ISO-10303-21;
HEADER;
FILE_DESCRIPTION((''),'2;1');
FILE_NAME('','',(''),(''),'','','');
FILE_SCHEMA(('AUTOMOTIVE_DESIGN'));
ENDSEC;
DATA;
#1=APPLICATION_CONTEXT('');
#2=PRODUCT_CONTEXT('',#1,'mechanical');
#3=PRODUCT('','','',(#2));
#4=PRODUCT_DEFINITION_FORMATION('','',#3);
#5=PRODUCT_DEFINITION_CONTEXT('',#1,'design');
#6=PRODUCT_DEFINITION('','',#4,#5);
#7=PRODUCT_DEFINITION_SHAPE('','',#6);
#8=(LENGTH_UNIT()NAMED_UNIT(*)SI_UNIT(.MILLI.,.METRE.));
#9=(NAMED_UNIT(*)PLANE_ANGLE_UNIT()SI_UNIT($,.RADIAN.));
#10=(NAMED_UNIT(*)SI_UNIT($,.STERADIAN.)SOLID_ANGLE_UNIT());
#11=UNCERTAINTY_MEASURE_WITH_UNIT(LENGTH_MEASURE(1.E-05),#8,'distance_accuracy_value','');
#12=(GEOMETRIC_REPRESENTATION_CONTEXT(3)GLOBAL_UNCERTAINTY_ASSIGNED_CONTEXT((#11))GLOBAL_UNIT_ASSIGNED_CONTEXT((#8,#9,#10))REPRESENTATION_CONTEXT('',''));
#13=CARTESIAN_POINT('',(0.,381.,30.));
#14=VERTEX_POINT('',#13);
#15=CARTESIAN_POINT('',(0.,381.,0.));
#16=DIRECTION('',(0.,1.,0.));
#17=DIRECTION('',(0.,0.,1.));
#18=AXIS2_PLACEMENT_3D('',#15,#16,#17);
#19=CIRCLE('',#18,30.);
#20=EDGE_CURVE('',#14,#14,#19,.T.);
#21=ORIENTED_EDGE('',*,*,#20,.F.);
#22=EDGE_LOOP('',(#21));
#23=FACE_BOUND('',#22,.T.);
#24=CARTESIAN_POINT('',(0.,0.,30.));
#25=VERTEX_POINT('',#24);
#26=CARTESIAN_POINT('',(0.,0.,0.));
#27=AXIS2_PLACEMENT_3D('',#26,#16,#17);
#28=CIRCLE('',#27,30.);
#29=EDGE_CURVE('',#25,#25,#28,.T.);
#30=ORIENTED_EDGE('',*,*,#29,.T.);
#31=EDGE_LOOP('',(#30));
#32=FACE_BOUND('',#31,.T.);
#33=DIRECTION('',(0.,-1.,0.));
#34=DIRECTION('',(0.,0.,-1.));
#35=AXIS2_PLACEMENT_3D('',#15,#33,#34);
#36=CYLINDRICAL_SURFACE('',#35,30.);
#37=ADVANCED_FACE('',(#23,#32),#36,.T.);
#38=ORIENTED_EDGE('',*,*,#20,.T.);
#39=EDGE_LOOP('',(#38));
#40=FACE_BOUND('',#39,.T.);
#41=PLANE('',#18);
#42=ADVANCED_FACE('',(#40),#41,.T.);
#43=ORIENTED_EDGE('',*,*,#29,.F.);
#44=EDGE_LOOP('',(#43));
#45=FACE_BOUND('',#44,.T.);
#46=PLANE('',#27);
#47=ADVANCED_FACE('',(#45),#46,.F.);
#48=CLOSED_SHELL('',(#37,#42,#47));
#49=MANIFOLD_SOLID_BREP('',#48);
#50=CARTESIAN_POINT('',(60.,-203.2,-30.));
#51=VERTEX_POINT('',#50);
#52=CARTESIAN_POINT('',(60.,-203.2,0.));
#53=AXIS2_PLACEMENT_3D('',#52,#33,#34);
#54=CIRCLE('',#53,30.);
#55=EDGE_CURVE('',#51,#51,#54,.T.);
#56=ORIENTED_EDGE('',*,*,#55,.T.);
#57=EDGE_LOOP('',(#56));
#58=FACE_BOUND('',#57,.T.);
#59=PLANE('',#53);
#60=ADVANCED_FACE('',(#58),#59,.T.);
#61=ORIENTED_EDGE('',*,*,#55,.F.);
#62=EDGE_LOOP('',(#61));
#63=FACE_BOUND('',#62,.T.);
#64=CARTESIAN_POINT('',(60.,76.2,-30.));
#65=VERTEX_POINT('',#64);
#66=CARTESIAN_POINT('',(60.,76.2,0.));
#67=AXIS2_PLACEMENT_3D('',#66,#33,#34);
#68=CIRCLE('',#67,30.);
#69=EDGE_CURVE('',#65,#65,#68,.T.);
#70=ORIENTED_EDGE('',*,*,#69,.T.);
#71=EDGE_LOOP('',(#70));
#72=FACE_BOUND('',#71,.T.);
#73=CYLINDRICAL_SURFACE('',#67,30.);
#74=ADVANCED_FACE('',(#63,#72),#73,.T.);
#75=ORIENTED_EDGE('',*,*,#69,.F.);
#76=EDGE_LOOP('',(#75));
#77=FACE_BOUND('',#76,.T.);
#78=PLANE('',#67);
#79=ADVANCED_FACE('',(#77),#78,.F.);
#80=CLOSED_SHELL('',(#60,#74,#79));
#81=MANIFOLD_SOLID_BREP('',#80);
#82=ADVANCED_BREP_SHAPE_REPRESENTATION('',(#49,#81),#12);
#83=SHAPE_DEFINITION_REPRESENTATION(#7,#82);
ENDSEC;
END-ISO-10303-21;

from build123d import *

# Parameters (mm, degrees)
SKETCH1_R                = 30
BOSS_EXTRUDE1_DEPTH      = 381
SKETCH2_R                = 30
BOSS_EXTRUDE2_DEPTH      = 203.2
BOSS_EXTRUDE2_DEPTH_BACK = 76.2


with BuildPart() as part:
    # Sketch1 → Boss-Extrude1 (new body)
    with BuildSketch(Plane(origin=(0, 0, 0), x_dir=(1, 0, 0), z_dir=(0, 1, 0))):
        Circle(SKETCH1_R)
    extrude(amount=BOSS_EXTRUDE1_DEPTH)


with BuildPart() as body_2:
    # Sketch2 → Boss-Extrude2 (new body, two sides)
    with BuildSketch(Plane.XZ) as boss_extrude2_sk:
        with Locations((60, 0)):
            Circle(SKETCH2_R)
    extrude(amount=BOSS_EXTRUDE2_DEPTH)
    extrude(boss_extrude2_sk.sketch, amount=-BOSS_EXTRUDE2_DEPTH_BACK)


solid = Compound([part.part, body_2.part])
